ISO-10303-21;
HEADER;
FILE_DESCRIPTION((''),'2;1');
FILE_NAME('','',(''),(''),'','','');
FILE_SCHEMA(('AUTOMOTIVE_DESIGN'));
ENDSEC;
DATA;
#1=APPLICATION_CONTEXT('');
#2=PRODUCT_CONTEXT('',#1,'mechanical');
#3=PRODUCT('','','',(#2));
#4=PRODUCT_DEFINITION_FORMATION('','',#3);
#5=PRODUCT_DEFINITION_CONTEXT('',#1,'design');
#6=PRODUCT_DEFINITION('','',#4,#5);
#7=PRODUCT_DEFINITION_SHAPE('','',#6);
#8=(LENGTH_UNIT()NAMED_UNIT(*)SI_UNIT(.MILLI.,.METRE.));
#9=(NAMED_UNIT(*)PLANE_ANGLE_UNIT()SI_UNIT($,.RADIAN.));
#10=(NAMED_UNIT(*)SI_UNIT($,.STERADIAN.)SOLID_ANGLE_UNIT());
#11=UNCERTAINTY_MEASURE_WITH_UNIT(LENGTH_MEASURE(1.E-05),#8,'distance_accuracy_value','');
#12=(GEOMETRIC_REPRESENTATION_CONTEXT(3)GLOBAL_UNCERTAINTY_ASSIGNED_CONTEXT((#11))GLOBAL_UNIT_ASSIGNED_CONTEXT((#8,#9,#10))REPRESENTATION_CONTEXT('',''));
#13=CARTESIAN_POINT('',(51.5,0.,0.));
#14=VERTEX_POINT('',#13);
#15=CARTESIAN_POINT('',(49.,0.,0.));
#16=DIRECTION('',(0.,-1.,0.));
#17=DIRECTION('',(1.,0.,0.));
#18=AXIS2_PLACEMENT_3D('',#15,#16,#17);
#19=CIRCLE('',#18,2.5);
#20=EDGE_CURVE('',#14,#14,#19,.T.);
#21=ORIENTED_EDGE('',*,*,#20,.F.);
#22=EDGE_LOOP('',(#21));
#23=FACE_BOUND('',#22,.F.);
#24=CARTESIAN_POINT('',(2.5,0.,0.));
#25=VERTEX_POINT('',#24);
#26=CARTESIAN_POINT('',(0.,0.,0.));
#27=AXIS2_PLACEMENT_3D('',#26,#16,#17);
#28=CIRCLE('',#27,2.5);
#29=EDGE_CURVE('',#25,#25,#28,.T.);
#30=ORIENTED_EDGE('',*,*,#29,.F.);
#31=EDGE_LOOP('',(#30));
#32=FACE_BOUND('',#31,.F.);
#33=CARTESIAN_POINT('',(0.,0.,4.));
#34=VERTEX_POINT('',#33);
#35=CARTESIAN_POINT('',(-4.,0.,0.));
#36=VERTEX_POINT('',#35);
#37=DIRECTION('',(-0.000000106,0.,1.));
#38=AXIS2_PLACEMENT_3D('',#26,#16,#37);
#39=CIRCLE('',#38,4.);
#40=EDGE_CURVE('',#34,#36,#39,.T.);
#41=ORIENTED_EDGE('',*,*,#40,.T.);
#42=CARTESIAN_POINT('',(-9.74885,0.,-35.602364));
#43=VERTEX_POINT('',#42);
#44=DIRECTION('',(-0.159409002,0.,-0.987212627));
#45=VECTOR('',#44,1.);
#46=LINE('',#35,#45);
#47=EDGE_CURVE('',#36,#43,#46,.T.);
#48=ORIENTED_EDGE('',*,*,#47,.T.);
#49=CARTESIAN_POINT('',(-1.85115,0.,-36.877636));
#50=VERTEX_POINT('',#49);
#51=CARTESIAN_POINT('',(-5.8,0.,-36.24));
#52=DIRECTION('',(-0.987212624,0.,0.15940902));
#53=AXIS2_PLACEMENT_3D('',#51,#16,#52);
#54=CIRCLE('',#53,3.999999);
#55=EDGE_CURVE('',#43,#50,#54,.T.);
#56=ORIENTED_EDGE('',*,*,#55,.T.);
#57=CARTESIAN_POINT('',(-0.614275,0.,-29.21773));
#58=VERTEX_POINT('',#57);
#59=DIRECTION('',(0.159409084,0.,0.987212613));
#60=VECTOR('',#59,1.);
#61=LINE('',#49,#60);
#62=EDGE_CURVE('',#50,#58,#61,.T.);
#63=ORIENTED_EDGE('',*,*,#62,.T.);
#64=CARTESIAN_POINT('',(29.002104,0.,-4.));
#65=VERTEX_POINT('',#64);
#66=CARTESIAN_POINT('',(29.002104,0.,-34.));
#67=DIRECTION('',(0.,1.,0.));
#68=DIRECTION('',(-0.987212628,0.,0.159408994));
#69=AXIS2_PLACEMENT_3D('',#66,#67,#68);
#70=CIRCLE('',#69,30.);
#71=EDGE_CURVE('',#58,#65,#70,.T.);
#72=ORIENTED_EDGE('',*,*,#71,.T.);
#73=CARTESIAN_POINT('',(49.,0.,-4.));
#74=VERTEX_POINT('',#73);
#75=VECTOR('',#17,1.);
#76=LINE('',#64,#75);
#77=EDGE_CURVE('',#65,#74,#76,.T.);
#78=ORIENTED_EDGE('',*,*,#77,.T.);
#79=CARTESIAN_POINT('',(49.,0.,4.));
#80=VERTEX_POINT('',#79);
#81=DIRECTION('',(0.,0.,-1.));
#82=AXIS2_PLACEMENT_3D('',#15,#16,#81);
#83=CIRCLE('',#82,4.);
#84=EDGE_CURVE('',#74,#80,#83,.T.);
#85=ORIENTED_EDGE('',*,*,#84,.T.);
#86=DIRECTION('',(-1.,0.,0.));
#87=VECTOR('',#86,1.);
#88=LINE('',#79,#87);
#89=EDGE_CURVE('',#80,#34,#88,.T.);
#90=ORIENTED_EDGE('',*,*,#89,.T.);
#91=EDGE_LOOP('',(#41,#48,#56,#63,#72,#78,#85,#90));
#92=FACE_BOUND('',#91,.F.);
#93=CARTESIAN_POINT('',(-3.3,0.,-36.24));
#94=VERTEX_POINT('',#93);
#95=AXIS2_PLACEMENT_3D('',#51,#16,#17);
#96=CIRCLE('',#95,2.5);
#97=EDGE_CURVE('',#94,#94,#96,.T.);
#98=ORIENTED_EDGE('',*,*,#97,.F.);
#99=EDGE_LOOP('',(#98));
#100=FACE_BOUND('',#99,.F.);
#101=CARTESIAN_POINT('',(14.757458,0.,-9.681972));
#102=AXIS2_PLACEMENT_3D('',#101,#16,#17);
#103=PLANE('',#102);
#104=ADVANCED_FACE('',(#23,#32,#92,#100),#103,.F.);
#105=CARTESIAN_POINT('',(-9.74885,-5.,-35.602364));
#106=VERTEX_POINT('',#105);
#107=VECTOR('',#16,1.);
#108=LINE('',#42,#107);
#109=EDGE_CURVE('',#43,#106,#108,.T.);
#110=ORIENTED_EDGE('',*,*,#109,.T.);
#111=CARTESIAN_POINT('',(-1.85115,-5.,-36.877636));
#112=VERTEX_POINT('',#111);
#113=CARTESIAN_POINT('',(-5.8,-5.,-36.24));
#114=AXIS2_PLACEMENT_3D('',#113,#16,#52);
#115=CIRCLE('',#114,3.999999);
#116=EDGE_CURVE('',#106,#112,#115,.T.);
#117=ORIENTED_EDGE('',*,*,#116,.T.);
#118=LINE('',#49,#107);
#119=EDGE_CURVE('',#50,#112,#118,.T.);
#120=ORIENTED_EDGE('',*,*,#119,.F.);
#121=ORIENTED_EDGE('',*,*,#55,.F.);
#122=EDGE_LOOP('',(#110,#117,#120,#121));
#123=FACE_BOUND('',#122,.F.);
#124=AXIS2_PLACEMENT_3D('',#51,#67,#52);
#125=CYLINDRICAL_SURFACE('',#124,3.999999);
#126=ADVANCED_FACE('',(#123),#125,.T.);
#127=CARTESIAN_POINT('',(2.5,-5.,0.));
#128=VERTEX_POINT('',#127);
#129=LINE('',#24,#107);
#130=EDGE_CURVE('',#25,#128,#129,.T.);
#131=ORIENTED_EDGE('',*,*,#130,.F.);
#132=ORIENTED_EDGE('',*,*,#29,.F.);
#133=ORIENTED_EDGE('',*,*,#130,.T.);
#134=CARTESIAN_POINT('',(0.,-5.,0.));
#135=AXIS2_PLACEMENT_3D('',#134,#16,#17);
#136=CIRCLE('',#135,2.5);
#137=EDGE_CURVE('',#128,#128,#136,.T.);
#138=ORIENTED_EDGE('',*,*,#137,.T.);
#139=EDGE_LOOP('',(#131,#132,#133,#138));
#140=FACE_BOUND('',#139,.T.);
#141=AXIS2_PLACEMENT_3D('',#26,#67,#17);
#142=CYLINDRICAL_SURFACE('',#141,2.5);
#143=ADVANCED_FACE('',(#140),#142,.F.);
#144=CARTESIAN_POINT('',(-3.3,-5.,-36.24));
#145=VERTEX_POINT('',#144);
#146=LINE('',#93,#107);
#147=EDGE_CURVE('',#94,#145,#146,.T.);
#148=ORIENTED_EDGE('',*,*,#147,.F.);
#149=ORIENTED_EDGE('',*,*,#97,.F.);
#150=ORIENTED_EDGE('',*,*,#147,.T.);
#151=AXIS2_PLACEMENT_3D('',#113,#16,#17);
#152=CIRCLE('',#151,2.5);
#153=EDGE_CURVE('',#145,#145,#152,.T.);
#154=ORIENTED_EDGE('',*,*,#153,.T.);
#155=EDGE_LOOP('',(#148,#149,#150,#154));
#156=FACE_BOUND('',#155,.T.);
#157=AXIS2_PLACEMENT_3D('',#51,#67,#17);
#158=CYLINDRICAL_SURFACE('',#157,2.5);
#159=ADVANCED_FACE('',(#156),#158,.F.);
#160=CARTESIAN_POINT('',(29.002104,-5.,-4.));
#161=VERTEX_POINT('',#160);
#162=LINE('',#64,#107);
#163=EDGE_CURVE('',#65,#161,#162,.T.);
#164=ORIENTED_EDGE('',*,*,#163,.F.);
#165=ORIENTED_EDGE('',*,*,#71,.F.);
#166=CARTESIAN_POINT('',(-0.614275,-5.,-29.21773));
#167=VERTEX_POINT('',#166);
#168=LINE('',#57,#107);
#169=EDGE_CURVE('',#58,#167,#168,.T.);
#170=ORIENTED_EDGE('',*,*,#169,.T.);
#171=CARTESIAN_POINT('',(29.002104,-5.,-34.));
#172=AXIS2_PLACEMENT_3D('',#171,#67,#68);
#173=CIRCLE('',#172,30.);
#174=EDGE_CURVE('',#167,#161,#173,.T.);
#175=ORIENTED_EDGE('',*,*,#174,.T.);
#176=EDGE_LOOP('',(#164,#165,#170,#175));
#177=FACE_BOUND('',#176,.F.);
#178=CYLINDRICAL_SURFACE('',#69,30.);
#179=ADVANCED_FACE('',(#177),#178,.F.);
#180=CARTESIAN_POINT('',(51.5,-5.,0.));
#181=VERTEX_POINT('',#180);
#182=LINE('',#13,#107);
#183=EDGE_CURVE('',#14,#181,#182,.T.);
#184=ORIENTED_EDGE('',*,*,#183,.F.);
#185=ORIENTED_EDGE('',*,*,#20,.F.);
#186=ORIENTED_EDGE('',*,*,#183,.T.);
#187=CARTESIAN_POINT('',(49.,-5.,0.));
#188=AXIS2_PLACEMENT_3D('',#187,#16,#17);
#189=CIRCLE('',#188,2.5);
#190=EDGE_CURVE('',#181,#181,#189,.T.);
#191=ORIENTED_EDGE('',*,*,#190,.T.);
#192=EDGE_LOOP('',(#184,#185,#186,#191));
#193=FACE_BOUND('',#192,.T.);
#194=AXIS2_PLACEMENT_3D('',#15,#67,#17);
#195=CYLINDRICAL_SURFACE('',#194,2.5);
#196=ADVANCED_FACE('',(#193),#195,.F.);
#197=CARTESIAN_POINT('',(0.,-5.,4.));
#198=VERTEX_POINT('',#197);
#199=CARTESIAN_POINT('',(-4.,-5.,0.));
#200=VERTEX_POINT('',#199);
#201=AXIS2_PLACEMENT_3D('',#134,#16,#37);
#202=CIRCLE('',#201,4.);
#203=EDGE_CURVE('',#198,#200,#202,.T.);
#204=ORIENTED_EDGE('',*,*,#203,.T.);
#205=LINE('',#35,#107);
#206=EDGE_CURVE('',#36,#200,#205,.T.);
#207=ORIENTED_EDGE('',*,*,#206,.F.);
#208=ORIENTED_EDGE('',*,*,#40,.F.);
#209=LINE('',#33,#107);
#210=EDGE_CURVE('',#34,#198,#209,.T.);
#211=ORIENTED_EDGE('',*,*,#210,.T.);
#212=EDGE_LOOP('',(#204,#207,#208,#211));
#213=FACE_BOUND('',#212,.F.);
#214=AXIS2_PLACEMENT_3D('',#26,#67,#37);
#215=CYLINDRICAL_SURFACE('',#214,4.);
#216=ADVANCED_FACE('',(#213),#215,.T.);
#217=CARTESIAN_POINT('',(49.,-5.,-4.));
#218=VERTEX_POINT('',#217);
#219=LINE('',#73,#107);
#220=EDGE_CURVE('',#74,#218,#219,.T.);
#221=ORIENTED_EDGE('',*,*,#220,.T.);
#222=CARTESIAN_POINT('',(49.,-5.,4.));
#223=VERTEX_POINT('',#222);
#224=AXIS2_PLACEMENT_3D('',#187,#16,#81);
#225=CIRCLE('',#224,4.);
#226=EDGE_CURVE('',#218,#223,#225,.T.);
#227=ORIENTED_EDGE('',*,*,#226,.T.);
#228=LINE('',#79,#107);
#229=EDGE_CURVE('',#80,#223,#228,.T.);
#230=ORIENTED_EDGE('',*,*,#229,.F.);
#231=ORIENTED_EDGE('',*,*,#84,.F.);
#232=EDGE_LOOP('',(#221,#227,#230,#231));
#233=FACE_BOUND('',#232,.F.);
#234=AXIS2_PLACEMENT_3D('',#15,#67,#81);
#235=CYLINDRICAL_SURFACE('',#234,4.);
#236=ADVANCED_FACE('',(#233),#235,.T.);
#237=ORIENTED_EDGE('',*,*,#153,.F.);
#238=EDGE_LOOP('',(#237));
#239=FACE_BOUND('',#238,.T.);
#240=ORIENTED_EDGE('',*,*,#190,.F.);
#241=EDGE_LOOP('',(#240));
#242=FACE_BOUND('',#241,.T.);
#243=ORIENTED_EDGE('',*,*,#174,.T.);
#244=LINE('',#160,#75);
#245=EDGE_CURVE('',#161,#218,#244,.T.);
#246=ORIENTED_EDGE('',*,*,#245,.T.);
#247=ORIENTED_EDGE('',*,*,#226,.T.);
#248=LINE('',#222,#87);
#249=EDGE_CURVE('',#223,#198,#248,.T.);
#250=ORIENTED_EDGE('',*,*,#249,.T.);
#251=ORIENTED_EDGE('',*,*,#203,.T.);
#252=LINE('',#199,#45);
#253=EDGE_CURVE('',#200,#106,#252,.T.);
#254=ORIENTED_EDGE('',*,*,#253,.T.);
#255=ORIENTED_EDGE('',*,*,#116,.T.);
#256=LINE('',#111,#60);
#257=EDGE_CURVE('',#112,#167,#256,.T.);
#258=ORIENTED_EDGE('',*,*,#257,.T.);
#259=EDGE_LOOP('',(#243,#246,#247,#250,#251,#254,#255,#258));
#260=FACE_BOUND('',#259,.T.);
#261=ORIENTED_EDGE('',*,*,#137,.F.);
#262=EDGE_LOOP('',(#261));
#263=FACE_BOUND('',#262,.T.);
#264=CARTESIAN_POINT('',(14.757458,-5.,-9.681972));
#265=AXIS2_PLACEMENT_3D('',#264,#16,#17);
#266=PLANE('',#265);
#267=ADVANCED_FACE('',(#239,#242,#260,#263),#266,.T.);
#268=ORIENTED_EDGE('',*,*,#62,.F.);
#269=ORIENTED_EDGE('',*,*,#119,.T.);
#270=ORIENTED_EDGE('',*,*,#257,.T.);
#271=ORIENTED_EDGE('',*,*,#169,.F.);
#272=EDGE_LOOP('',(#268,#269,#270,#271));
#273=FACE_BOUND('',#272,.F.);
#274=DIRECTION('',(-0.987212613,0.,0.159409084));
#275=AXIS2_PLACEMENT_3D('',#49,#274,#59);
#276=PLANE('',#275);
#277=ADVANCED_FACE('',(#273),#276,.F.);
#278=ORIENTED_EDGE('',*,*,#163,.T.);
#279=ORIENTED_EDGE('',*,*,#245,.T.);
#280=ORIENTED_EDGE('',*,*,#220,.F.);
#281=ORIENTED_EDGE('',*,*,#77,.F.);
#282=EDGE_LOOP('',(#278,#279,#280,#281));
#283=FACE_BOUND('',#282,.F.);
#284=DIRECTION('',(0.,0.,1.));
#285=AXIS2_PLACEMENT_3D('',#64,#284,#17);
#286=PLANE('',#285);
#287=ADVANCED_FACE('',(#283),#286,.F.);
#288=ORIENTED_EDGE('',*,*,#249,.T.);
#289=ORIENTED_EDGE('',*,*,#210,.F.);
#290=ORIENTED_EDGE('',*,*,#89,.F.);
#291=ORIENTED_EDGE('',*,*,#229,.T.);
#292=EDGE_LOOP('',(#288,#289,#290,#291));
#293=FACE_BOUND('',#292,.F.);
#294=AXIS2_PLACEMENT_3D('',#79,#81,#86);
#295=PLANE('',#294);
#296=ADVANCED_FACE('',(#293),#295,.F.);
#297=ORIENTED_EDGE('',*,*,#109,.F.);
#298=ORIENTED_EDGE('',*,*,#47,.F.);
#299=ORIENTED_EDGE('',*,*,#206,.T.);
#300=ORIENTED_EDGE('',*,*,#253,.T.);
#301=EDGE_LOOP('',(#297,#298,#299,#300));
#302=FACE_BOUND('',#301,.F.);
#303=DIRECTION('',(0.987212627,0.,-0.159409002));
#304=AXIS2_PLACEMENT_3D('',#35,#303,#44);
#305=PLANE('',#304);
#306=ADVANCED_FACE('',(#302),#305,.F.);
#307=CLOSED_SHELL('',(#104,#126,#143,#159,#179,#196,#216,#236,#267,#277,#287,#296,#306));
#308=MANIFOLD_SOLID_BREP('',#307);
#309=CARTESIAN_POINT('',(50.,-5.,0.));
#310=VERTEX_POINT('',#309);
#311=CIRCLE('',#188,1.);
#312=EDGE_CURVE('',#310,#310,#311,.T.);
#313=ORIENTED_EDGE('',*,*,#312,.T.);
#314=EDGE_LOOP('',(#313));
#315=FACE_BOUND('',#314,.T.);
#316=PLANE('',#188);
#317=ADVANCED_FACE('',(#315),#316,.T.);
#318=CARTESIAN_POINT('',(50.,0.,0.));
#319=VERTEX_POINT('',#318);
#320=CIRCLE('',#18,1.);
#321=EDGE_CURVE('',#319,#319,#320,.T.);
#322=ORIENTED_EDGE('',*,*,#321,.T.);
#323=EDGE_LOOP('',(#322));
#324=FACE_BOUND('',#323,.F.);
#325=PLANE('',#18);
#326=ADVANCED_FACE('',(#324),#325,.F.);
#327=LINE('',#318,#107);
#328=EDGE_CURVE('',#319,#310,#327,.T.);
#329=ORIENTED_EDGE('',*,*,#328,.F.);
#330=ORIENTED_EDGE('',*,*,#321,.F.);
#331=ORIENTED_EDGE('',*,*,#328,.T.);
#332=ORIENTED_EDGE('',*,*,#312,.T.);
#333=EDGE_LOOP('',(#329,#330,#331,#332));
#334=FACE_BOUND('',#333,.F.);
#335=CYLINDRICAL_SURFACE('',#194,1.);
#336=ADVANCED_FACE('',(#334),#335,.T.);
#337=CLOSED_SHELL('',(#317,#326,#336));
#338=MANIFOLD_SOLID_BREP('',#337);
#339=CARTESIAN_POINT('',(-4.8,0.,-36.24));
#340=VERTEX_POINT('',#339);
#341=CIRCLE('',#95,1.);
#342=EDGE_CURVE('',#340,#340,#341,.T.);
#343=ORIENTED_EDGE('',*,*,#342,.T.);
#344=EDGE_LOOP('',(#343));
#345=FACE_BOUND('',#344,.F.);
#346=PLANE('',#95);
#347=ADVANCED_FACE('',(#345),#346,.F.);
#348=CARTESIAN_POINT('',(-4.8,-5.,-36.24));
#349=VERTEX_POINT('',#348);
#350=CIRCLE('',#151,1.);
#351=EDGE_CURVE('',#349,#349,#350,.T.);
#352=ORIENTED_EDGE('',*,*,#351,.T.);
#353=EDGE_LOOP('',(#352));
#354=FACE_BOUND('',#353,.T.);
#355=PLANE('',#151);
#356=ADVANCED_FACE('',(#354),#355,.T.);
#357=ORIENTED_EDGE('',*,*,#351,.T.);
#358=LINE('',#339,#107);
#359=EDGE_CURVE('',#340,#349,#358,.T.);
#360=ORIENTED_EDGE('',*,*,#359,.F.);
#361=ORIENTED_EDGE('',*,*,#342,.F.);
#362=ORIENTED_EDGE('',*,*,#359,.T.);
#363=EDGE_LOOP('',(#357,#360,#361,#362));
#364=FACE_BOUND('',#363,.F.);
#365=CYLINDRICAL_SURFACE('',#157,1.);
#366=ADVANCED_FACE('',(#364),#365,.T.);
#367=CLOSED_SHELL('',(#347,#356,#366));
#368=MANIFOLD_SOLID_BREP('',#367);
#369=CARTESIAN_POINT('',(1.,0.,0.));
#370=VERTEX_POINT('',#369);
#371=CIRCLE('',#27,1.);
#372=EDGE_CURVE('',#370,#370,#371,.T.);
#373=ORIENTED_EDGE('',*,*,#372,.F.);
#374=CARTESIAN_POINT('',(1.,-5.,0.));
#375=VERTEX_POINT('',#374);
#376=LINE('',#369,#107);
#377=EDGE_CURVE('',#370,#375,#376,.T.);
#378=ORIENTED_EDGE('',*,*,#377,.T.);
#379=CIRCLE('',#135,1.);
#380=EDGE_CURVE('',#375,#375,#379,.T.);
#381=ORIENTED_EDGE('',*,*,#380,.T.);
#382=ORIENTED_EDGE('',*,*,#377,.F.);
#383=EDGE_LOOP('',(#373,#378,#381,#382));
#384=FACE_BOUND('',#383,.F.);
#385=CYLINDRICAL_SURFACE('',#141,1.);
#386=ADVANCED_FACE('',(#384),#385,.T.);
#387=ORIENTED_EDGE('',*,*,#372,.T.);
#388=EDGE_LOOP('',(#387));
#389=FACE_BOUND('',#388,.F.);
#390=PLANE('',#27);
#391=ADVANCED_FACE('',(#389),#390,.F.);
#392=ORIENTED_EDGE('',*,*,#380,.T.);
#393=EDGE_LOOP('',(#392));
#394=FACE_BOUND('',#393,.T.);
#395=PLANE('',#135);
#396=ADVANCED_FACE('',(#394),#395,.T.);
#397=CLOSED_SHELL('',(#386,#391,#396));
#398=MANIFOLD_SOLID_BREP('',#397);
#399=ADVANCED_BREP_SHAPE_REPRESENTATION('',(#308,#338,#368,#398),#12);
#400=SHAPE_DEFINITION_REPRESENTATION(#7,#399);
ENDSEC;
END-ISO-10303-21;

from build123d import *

# Parameters (mm, degrees)
F0_R     = 2.5
F0_R_2   = 1
F1_DEPTH = 5


with BuildPart() as f1:
    # F0 (on Front) → F1 (new body)
    with BuildSketch(Plane.XZ):
        with BuildLine():
            Line((49, 4), (0, 4))
            ThreePointArc((0, 4), (-2.828427, 2.828427), (-4, 0))
            Line((-4, 0), (-9.74885, -35.602364))
            ThreePointArc((-9.74885, -35.602364), (-6.437636, -40.18885), (-1.85115, -36.877636))
            Line((-1.85115, -36.877636), (-0.614275, -29.21773))
            ThreePointArc((-0.614275, -29.21773), (9.553044, -11.158501), (29.002104, -4))
            Line((29.002104, -4), (49, -4))
            ThreePointArc((49, -4), (53, 0), (49, 4))
        make_face()
        with Locations((-5.8, -36.24)):
            Circle(F0_R, mode=Mode.SUBTRACT)
        Circle(F0_R, mode=Mode.SUBTRACT)
        with Locations((49, 0)):
            Circle(F0_R, mode=Mode.SUBTRACT)
        Circle(F0_R_2)
        with Locations((-5.8, -36.24)):
            Circle(F0_R_2)
        with Locations((49, 0)):
            Circle(F0_R_2)
    extrude(amount=F1_DEPTH)


solid = f1.part
